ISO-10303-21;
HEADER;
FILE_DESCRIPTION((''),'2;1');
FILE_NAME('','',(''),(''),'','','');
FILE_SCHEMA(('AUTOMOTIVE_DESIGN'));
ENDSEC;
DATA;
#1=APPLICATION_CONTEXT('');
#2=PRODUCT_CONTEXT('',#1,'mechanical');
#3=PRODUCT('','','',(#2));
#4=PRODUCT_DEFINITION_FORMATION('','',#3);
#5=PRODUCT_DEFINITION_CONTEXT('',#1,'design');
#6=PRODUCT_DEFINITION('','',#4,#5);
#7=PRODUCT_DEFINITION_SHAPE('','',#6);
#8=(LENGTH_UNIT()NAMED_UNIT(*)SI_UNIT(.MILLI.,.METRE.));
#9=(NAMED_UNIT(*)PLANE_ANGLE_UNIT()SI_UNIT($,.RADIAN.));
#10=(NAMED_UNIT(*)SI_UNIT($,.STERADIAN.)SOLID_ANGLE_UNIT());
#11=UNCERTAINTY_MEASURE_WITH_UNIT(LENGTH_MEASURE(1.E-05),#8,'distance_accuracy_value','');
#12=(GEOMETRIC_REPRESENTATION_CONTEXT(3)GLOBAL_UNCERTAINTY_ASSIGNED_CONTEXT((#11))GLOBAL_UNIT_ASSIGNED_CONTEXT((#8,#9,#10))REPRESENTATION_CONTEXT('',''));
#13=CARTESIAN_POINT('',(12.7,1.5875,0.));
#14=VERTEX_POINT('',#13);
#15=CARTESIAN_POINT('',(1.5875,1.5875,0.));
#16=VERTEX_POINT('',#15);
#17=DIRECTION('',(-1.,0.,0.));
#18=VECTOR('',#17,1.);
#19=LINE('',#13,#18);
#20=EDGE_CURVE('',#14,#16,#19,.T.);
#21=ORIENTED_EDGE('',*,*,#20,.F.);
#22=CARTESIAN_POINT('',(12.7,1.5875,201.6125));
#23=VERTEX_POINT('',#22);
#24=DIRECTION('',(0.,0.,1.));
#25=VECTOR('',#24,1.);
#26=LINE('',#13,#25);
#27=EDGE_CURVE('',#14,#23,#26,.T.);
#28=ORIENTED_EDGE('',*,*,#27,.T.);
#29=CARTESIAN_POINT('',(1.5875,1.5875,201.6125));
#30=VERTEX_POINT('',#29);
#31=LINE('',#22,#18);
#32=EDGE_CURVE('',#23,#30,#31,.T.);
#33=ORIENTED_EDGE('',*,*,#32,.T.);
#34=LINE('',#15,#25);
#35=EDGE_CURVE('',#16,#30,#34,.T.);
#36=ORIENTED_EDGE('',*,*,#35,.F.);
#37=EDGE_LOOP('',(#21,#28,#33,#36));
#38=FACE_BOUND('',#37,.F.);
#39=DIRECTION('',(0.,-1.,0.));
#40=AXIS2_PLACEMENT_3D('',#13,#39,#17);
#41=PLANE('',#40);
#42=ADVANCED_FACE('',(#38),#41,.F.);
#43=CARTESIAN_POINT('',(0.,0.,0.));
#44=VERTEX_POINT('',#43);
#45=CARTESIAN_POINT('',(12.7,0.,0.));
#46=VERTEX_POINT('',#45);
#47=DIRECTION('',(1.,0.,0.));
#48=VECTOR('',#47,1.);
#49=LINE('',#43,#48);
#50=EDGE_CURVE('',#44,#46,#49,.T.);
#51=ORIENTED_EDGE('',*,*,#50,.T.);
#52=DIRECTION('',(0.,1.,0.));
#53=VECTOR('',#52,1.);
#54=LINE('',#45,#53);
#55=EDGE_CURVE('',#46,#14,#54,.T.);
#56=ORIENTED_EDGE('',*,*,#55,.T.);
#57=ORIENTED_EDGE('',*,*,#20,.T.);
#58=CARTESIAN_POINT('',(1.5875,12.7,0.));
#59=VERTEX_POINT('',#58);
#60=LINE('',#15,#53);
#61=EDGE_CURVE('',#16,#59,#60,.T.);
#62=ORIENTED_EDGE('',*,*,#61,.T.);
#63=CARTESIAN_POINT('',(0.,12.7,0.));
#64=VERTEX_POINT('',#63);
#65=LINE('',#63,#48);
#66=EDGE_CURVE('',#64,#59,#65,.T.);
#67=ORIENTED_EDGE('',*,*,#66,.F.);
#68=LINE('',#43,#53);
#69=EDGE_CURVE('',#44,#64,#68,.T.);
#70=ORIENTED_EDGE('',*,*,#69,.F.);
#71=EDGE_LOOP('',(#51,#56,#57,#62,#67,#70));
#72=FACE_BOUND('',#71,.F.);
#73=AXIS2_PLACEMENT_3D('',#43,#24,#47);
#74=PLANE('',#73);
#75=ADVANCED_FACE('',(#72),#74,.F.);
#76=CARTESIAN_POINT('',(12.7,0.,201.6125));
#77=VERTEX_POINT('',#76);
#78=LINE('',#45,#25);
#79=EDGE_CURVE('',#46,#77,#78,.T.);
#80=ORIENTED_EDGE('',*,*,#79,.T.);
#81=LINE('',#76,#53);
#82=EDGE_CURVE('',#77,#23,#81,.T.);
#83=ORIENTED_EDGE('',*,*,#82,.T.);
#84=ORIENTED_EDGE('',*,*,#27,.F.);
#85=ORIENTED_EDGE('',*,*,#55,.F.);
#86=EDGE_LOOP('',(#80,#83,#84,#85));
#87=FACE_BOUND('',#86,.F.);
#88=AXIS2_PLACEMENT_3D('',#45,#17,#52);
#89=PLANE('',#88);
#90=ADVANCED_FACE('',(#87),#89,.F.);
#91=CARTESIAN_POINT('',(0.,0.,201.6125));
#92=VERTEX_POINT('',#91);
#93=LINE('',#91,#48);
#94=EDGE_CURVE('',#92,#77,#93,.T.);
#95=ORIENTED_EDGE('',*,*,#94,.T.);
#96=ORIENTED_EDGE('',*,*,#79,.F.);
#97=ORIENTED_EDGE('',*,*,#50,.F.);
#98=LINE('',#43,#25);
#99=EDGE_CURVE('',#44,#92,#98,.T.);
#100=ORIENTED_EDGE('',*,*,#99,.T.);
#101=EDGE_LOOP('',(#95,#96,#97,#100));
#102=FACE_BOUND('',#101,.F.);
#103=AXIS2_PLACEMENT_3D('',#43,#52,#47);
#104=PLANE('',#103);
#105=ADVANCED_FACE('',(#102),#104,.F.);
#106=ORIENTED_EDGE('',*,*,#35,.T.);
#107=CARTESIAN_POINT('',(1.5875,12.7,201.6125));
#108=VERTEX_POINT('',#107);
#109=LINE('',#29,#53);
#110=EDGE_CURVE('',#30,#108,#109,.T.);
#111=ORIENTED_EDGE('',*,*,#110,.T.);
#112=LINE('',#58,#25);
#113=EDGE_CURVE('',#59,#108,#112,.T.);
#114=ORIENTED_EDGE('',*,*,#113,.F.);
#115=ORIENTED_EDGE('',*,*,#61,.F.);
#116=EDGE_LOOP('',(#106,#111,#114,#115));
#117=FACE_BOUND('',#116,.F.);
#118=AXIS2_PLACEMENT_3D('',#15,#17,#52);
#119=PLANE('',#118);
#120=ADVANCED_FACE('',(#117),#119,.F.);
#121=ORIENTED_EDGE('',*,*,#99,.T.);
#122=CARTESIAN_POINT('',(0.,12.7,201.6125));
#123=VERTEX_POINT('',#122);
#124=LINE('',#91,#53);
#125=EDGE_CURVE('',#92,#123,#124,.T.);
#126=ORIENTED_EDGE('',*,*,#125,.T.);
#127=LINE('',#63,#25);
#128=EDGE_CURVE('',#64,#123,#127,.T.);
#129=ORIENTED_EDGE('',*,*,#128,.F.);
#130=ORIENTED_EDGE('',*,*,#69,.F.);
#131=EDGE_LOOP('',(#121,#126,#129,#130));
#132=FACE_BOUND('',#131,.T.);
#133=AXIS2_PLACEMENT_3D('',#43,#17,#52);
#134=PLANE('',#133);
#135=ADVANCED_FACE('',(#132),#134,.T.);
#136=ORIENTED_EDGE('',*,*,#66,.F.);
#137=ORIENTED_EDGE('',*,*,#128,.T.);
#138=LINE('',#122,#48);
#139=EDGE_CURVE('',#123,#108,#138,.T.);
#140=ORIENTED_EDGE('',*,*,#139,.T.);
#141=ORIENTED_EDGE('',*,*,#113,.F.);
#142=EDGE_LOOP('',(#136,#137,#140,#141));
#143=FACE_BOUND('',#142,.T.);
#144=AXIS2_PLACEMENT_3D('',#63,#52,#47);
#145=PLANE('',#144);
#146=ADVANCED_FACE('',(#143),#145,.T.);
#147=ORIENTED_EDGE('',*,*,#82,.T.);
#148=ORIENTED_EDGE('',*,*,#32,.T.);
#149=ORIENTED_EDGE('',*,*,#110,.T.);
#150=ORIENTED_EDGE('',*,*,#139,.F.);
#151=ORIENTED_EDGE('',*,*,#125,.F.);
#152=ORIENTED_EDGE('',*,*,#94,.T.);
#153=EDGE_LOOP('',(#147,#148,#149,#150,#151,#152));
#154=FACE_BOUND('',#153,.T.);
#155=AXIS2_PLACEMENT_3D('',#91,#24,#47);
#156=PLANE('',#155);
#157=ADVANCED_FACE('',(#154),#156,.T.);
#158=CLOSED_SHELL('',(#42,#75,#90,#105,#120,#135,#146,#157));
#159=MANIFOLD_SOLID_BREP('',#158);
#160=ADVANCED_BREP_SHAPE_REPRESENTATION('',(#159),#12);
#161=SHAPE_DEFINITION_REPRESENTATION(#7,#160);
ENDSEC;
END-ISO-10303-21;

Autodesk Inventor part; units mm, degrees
ref_plane "YZ Plane" through (0, 0, 0) normal (1, 0, 0) x (0, 1, 0)
ref_plane "XZ Plane" through (0, 0, 0) normal (0, 1, 0) x (-1, 0, 0)
ref_plane "XY Plane" through (0, 0, 0) normal (0, 0, 1) x (1, 0, 0)
sketch "Sketch1" plane through (0, 0, 0) normal (0, 0, 1) x (1, 0, 0)
  line L0 (0, 0) -> (0, 12.7)
  line L1 (0, 12.7) -> (1.5875, 12.7)
  line L2 (0, 0) -> (12.7, 0)
  line L3 (12.7, 0) -> (12.7, 1.5875)
  line L4 (12.7, 1.5875) -> (1.5875, 1.5875)
  line L5 (1.5875, 1.5875) -> (1.5875, 12.7)
  dimension "d0" = 12.7
  dimension "d1" = 1.5875
  dimension "d2" = 12.7
  dimension "d3" = 1.5875
extrude "Extrusion1" add sketch "Sketch1" along normal blind 201.6125
properties part number "Bumper Metal Edge Part4 (24x28 robot)" material "Aluminum 6061"
